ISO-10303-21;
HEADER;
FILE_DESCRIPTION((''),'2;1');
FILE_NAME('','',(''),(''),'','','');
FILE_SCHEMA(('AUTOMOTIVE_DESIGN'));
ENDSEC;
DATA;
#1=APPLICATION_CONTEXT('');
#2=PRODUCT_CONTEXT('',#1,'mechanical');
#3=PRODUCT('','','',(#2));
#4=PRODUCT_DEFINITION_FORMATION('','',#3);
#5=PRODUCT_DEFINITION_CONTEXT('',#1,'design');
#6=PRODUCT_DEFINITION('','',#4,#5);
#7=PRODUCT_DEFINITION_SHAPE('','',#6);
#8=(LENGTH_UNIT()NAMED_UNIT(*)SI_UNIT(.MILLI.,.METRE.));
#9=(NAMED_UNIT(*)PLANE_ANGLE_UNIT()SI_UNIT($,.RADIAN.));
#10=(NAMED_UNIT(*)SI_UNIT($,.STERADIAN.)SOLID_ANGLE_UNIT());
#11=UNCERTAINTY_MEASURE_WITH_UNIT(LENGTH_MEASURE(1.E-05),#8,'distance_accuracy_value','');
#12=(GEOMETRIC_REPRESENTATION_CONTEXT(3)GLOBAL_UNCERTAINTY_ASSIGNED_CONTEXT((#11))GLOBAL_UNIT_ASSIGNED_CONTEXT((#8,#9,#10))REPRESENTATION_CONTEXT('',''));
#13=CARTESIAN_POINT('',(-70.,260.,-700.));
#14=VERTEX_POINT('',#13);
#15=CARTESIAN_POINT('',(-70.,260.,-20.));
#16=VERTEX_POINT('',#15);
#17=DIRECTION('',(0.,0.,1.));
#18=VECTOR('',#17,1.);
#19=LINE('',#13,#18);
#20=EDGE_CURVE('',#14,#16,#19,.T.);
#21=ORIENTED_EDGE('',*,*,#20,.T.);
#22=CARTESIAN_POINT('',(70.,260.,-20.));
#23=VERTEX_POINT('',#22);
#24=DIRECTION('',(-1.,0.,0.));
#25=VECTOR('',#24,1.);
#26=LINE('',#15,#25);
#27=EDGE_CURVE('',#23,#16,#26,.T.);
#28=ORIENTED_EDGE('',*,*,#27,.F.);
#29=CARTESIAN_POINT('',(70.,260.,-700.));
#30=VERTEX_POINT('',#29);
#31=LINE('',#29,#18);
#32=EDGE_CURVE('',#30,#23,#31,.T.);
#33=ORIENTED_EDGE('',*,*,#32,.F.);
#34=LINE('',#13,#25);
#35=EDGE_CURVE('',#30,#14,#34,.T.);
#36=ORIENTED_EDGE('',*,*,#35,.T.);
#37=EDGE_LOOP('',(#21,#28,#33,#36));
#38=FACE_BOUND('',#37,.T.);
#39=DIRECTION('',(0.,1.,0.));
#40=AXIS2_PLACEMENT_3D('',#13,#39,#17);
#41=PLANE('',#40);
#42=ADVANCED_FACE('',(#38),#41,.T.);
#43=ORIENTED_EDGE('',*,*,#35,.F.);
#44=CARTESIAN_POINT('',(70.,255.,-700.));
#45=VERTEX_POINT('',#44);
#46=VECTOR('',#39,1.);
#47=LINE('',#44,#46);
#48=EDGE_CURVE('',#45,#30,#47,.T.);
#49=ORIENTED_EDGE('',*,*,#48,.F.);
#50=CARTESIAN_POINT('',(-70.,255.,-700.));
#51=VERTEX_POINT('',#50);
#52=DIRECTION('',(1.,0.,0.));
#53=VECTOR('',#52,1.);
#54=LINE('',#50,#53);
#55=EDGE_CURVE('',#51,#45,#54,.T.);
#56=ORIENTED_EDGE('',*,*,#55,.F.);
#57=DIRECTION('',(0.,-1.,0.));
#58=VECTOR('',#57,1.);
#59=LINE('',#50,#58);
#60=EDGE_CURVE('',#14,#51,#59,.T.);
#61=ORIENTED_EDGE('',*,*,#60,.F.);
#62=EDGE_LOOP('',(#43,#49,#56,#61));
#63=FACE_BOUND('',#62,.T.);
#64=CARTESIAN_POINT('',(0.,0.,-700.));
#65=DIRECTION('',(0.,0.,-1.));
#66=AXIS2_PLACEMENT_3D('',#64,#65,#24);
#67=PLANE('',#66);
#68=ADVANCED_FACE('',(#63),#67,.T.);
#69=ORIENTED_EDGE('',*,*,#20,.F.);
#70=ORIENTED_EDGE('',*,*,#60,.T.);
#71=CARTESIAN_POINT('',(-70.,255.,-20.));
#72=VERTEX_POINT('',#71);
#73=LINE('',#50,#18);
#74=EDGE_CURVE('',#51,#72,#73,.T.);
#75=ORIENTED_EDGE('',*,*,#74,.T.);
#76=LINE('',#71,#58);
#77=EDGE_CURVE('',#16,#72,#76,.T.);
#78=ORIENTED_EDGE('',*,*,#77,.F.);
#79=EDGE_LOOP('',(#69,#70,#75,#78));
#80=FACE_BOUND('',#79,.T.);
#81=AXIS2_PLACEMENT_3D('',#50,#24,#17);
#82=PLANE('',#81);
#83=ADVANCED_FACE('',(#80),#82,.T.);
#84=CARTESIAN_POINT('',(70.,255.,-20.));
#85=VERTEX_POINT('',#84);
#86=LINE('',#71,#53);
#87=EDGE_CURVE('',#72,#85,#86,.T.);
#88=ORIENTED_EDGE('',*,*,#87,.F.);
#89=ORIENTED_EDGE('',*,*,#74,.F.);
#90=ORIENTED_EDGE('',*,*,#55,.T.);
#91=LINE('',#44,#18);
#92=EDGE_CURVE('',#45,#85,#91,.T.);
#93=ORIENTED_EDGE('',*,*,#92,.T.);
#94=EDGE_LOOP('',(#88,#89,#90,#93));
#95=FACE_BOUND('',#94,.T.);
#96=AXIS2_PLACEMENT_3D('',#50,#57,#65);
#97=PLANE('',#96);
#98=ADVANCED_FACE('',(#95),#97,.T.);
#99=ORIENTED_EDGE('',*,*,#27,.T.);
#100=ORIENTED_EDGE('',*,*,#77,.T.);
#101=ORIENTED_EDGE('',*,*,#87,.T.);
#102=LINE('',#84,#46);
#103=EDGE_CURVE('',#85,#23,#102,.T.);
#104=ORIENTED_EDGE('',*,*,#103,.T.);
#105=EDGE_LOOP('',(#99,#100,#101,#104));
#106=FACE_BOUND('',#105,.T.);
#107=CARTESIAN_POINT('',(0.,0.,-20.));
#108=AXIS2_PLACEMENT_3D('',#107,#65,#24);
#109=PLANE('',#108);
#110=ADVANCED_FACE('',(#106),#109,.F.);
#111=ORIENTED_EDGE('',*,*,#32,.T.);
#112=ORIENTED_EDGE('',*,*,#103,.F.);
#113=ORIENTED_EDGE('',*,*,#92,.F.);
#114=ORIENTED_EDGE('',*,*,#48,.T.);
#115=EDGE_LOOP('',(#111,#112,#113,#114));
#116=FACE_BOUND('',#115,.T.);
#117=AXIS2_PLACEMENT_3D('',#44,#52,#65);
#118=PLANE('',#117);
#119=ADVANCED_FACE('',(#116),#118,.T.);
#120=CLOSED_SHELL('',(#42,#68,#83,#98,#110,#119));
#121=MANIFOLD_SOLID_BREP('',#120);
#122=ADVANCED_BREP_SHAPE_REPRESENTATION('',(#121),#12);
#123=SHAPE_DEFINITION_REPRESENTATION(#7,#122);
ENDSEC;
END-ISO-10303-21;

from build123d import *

# Parameters (mm, degrees)
KAP_PC_KAPAK_GECMELI_1_START = -20
SKETCH1_W                    = 140
SKETCH1_H                    = 5
KAP_PC_KAPAK_GECMELI_1_DEPTH = 680


with BuildPart() as part:
    # Sketch1 → KAP_PC_kapak_gecmeli_1 (new body)
    with BuildSketch(Plane.XY.offset(KAP_PC_KAPAK_GECMELI_1_START)):
        with Locations((0, 257.5)):
            Rectangle(SKETCH1_W, SKETCH1_H)
    extrude(amount=-KAP_PC_KAPAK_GECMELI_1_DEPTH)


solid = part.part
